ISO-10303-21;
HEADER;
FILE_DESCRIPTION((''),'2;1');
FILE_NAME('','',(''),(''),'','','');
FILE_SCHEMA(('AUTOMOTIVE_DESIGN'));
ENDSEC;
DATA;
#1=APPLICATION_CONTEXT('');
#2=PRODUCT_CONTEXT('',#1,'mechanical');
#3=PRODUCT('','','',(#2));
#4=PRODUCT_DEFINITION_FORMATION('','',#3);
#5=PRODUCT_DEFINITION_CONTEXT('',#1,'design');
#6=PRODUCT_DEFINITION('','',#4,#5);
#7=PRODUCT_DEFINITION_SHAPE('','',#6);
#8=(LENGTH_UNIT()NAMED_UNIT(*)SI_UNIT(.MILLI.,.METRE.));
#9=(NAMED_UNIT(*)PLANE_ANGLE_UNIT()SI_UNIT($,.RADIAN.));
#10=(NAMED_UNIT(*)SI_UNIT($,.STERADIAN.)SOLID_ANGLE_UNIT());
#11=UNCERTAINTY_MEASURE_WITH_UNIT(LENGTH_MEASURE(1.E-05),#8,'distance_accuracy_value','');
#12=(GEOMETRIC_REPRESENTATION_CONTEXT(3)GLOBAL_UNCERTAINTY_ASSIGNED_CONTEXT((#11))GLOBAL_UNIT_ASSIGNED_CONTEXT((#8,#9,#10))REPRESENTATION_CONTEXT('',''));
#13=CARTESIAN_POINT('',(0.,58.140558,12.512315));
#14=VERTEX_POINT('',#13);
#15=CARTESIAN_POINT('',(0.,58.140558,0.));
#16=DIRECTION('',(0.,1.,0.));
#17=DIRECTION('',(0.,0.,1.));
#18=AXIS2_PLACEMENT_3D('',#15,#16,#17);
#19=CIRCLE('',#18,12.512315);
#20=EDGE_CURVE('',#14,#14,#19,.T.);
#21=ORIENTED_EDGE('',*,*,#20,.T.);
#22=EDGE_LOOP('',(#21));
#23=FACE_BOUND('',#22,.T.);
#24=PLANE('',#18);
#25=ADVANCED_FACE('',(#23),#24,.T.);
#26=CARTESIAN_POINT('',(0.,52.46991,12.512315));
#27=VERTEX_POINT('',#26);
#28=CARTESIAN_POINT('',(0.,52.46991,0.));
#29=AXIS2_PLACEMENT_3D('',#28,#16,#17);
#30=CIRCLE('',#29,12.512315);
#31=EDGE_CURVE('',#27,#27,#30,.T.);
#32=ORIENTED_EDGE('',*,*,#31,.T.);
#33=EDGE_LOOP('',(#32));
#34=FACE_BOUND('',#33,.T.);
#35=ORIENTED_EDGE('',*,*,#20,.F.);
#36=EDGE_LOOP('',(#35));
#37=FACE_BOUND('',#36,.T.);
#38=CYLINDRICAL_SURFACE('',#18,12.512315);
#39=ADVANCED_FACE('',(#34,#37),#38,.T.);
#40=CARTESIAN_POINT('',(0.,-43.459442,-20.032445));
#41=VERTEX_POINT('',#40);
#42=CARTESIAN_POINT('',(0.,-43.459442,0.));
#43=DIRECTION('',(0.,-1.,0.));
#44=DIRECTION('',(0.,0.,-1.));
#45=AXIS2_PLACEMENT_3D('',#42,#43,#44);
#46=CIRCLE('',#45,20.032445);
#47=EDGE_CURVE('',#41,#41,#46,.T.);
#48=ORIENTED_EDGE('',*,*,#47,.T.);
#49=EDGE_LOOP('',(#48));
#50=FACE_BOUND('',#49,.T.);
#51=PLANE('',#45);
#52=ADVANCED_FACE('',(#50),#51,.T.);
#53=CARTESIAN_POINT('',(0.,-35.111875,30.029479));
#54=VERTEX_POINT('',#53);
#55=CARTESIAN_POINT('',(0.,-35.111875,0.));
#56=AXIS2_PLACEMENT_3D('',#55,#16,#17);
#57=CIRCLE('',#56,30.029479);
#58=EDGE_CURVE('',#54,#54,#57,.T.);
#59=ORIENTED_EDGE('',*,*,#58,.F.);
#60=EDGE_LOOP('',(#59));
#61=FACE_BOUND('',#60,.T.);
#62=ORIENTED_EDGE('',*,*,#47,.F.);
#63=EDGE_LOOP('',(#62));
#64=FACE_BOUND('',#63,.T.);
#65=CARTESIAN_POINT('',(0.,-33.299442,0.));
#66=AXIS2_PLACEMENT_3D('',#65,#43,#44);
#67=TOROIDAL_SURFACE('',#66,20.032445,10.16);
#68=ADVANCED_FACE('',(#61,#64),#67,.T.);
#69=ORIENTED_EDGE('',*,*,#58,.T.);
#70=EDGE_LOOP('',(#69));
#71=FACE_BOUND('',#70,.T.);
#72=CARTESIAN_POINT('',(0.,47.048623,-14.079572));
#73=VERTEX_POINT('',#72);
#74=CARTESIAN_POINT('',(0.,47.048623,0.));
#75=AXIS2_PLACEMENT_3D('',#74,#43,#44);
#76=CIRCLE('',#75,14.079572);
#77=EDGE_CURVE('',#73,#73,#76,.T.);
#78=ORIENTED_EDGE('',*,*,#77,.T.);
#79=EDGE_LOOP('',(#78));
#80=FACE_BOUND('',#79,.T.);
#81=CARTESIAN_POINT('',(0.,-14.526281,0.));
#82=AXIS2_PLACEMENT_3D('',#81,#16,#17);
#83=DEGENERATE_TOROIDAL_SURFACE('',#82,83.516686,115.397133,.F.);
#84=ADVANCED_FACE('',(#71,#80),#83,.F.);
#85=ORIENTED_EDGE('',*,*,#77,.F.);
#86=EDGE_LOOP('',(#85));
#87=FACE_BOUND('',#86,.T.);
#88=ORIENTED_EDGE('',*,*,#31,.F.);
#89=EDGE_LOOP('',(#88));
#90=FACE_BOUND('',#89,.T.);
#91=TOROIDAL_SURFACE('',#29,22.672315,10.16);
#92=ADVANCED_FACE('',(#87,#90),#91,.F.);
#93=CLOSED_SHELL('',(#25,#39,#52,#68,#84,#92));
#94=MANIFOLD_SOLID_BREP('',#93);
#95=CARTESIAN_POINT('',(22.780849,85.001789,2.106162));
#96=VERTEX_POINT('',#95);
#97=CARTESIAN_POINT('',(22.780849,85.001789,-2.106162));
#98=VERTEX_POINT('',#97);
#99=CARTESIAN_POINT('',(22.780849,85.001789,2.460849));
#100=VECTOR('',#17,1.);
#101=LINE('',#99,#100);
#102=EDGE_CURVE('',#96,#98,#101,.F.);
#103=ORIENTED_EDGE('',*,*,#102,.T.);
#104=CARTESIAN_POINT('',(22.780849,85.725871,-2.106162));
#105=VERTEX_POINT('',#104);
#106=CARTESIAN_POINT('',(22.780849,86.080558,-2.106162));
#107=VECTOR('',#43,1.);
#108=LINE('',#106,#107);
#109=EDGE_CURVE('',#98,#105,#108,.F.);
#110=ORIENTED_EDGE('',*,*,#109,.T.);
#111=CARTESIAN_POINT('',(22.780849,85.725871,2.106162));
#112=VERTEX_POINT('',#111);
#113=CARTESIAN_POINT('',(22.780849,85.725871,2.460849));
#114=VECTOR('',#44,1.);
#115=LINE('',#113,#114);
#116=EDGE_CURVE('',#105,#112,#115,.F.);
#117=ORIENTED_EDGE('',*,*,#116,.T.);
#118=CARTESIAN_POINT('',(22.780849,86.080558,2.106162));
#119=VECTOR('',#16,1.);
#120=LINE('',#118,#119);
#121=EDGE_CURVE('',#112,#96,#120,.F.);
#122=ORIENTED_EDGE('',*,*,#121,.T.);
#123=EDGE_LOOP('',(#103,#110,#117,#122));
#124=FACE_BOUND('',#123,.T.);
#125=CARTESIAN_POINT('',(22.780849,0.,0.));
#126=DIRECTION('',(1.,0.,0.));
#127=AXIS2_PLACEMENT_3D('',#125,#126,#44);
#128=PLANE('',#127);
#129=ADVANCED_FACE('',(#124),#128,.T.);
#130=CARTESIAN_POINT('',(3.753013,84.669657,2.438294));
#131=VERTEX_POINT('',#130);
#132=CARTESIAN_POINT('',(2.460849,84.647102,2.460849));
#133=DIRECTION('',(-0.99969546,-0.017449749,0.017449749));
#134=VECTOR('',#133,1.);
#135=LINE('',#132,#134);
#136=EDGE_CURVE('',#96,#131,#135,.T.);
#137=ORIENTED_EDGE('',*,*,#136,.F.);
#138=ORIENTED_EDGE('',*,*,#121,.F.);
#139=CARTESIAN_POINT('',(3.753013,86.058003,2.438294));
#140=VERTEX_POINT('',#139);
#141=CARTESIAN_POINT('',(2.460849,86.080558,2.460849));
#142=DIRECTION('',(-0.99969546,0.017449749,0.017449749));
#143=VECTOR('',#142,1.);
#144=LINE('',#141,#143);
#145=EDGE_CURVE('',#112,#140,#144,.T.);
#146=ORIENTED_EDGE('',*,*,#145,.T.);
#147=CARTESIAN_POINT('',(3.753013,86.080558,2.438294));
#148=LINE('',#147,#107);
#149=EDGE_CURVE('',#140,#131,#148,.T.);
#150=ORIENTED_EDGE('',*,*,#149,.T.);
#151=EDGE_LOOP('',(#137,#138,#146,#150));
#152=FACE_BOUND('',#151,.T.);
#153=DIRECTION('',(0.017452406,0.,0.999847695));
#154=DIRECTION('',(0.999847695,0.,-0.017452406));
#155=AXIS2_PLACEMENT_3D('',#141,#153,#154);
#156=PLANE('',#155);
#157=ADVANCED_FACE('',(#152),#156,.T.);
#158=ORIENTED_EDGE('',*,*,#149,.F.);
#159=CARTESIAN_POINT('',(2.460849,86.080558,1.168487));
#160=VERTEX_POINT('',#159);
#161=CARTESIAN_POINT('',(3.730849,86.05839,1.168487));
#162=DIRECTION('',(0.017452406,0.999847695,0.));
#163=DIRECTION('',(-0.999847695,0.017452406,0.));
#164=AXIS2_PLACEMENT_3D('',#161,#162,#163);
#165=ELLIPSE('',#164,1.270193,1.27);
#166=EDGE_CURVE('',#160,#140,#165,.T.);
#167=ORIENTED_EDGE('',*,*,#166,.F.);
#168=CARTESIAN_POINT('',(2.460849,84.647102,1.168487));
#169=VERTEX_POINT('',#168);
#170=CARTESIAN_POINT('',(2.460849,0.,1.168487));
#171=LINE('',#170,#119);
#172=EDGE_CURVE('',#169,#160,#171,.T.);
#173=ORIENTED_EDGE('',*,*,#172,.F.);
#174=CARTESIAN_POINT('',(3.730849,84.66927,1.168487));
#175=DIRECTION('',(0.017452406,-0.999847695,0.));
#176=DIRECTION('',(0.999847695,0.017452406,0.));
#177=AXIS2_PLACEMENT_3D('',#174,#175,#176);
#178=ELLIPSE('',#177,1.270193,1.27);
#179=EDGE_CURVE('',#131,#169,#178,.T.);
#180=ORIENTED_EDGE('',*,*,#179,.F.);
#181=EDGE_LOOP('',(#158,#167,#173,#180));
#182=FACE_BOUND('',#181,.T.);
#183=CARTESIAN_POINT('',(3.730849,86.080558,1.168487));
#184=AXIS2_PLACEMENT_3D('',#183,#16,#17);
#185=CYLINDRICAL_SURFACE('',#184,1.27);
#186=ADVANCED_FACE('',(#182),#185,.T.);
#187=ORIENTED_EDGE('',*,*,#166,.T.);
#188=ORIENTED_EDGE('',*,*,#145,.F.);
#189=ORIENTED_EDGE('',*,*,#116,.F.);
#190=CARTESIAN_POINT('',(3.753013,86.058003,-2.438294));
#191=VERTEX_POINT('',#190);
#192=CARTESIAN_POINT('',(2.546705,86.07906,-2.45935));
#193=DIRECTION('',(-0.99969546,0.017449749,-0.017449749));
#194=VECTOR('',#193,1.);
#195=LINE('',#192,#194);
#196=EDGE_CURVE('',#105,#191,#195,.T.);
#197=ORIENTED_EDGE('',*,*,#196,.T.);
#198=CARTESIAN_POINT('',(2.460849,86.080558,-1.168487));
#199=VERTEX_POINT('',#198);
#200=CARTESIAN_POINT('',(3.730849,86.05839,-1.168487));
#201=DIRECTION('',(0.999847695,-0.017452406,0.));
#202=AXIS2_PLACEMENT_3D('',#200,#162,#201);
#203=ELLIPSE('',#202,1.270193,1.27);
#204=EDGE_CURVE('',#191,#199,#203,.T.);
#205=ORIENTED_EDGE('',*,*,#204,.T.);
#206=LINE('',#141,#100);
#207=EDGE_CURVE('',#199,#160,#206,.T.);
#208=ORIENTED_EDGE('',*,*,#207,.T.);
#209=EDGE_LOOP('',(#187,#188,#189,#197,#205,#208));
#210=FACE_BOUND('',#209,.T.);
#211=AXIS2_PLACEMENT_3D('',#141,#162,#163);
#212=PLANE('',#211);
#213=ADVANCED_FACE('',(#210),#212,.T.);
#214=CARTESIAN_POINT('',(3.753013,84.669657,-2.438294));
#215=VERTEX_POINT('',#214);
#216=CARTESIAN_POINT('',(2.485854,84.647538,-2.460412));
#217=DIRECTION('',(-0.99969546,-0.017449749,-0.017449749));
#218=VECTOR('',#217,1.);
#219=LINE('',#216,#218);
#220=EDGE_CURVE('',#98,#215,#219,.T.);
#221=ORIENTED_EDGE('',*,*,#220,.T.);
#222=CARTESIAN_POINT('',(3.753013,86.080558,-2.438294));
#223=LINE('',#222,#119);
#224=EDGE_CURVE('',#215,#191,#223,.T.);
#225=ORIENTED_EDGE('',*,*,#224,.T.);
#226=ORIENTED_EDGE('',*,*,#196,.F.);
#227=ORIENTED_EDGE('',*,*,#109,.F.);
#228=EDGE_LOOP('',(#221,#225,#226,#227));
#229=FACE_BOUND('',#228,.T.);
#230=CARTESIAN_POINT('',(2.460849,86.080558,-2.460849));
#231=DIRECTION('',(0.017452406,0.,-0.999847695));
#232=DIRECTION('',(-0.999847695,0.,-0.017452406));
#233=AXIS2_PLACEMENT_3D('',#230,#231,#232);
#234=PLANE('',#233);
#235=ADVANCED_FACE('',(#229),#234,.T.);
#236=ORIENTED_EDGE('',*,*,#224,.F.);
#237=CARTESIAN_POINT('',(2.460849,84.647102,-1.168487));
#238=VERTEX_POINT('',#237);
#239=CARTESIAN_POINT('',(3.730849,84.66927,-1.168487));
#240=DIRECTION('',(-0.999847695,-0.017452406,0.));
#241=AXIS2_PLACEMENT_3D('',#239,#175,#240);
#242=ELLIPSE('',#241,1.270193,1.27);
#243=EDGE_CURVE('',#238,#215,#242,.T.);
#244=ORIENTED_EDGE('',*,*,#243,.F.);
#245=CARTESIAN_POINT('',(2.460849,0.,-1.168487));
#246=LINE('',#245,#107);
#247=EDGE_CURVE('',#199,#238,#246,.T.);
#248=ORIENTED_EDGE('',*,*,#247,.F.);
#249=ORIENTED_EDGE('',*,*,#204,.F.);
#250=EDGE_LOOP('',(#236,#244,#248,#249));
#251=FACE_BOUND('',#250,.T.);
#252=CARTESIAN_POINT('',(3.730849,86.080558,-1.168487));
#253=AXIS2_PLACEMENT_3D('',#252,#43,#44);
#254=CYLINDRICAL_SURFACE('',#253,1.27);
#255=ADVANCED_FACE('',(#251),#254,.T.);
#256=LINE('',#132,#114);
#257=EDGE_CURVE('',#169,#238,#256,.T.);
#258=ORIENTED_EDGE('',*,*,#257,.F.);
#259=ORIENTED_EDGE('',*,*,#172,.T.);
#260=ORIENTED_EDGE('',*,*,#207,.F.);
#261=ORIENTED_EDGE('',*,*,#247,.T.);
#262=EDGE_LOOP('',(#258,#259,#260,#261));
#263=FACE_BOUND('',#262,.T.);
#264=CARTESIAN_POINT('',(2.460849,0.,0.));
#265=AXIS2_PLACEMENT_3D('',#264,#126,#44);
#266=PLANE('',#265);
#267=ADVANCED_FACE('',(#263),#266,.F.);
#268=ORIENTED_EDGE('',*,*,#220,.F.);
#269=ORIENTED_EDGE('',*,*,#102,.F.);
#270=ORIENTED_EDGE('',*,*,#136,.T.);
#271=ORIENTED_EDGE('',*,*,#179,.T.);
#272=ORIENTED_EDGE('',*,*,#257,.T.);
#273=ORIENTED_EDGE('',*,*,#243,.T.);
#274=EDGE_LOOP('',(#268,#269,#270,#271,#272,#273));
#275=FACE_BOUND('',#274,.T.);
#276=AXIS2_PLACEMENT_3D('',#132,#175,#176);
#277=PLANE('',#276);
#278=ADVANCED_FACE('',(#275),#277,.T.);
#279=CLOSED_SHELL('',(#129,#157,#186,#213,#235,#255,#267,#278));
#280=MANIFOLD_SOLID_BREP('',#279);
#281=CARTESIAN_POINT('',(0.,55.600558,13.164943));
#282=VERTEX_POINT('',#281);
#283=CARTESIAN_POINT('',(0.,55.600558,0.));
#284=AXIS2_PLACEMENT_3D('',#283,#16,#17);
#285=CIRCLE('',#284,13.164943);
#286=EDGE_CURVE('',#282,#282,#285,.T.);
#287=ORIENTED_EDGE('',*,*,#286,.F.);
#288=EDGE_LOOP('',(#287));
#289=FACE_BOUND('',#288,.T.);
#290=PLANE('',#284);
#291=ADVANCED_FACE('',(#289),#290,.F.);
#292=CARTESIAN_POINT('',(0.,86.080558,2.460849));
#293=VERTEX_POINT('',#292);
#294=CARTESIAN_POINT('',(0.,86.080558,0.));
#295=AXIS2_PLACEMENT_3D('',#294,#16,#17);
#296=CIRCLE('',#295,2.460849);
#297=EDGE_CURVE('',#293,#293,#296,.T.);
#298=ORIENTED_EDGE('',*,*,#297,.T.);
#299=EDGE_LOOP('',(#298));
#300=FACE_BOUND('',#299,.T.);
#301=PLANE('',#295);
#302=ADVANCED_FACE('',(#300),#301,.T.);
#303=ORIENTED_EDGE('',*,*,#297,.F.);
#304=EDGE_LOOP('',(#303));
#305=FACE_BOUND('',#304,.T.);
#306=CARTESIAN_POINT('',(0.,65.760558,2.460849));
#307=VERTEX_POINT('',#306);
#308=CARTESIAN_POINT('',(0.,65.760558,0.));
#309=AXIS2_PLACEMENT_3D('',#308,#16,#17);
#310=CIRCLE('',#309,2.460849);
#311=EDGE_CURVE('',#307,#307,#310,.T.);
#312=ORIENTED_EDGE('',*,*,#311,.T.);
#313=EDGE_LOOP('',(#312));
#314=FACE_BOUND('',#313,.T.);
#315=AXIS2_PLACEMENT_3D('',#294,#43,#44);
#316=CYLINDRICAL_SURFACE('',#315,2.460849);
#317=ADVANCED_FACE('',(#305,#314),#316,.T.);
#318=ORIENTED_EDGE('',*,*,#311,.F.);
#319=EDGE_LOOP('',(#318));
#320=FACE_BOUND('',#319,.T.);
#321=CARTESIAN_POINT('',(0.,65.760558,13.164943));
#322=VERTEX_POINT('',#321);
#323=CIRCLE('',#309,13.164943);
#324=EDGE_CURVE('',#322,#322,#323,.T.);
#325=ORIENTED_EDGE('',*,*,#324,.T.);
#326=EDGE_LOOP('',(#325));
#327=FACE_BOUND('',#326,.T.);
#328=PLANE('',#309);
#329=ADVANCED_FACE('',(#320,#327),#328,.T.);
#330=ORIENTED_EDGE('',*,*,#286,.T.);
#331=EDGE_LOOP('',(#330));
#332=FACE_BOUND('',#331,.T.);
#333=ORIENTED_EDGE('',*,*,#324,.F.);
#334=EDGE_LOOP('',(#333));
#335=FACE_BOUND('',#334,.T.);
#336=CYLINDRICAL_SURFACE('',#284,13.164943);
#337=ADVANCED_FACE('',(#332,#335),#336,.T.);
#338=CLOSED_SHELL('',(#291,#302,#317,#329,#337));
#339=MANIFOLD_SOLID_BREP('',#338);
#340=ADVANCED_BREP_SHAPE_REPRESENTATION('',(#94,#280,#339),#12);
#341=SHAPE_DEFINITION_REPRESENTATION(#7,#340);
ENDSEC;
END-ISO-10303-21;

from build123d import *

# Parameters (mm, degrees)
FILLET1_R                = 10.16
BOSS_EXTRUDE1_DEPTH      = 7.62
BOSS_EXTRUDE1_DEPTH_BACK = 2.54
SKETCH2_R                = 13.164943134
SKETCH3_R                = 2.460848641
BOSS_EXTRUDE2_DEPTH      = 20.32
SKETCH4_W                = 4.921697282
SKETCH4_H                = 1.433456433
BOSS_EXTRUDE3_DEPTH      = 20.32
BOSS_EXTRUDE3_TAPER      = 1
FILLET2_R                = 1.27


with BuildPart() as part:
    # Sketch1 → Revolve1 (revolve)
    with BuildSketch(Plane.XY, mode=Mode.PRIVATE) as revolve1_sk:
        with BuildLine():
            Line((0, -43.459441708), (-28.194417077, -43.459441708))
            ThreePointArc((-28.194417077, -43.459441708), (-30.271459741, 4.676745244), (-12.512315271, 49.465353038))
            Line((-12.512315271, 49.465353038), (-12.512315271, 58.140558292))
            Line((-12.512315271, 58.140558292), (0, 58.140558292))
            Line((0, 58.140558292), (0, -43.459441708))
        make_face()
    revolve(revolve1_sk.sketch.rotate(Axis((0, 58.140558292, 0), (0, -1, 0)), 270), axis=Axis((0, 58.140558292, 0), (0, -1, 0)))

    # Fillet1
    fillet1_edges = [part.edges().sort_by_distance(p)[0] for p in [
        (0, -43.459441708, -28.194417077),
        (0, 49.465353038, -12.512315271),
    ]]
    fillet(fillet1_edges, radius=FILLET1_R)


with BuildPart() as body_2:
    # Sketch2 → Boss-Extrude1 (new, two sides: drawn at the far end of the back side and taken through both)
    with BuildSketch(Plane(origin=(0, 58.140558292, 0), x_dir=(1, 0, 0), z_dir=(0, 1, 0)).offset(-BOSS_EXTRUDE1_DEPTH_BACK)):
        with Locations(Location((0, 0, 0), (0, 0, 270))):
            Circle(SKETCH2_R)
    extrude(amount=BOSS_EXTRUDE1_DEPTH + BOSS_EXTRUDE1_DEPTH_BACK)

    # Sketch3 → Boss-Extrude2 (add)
    with BuildSketch(Plane(origin=(0, 65.760558292, 0), x_dir=(1, 0, 0), z_dir=(0, 1, 0))):
        with Locations(Location((0, 0, 0), (0, 0, 270))):
            Circle(SKETCH3_R)
    extrude(amount=BOSS_EXTRUDE2_DEPTH)


with BuildPart() as body_3:
    # Sketch4 → Boss-Extrude3 (new body)
    with BuildSketch(Plane(origin=(2.460848641, 0, 0), x_dir=(0, 0, -1), z_dir=(1, 0, 0))):
        with Locations((0, 85.363830076)):
            Rectangle(SKETCH4_W, SKETCH4_H)
    extrude(amount=BOSS_EXTRUDE3_DEPTH, taper=BOSS_EXTRUDE3_TAPER)

    # Fillet2
    fillet2_edges = [body_3.edges().sort_by_distance(p)[0] for p in [
        (2.460848641, 85.363830075, -2.460848641),
        (2.460848641, 85.363830075, 2.460848641),
    ]]
    fillet(fillet2_edges, radius=FILLET2_R)


solid = Compound([part.part, body_2.part, body_3.part])
